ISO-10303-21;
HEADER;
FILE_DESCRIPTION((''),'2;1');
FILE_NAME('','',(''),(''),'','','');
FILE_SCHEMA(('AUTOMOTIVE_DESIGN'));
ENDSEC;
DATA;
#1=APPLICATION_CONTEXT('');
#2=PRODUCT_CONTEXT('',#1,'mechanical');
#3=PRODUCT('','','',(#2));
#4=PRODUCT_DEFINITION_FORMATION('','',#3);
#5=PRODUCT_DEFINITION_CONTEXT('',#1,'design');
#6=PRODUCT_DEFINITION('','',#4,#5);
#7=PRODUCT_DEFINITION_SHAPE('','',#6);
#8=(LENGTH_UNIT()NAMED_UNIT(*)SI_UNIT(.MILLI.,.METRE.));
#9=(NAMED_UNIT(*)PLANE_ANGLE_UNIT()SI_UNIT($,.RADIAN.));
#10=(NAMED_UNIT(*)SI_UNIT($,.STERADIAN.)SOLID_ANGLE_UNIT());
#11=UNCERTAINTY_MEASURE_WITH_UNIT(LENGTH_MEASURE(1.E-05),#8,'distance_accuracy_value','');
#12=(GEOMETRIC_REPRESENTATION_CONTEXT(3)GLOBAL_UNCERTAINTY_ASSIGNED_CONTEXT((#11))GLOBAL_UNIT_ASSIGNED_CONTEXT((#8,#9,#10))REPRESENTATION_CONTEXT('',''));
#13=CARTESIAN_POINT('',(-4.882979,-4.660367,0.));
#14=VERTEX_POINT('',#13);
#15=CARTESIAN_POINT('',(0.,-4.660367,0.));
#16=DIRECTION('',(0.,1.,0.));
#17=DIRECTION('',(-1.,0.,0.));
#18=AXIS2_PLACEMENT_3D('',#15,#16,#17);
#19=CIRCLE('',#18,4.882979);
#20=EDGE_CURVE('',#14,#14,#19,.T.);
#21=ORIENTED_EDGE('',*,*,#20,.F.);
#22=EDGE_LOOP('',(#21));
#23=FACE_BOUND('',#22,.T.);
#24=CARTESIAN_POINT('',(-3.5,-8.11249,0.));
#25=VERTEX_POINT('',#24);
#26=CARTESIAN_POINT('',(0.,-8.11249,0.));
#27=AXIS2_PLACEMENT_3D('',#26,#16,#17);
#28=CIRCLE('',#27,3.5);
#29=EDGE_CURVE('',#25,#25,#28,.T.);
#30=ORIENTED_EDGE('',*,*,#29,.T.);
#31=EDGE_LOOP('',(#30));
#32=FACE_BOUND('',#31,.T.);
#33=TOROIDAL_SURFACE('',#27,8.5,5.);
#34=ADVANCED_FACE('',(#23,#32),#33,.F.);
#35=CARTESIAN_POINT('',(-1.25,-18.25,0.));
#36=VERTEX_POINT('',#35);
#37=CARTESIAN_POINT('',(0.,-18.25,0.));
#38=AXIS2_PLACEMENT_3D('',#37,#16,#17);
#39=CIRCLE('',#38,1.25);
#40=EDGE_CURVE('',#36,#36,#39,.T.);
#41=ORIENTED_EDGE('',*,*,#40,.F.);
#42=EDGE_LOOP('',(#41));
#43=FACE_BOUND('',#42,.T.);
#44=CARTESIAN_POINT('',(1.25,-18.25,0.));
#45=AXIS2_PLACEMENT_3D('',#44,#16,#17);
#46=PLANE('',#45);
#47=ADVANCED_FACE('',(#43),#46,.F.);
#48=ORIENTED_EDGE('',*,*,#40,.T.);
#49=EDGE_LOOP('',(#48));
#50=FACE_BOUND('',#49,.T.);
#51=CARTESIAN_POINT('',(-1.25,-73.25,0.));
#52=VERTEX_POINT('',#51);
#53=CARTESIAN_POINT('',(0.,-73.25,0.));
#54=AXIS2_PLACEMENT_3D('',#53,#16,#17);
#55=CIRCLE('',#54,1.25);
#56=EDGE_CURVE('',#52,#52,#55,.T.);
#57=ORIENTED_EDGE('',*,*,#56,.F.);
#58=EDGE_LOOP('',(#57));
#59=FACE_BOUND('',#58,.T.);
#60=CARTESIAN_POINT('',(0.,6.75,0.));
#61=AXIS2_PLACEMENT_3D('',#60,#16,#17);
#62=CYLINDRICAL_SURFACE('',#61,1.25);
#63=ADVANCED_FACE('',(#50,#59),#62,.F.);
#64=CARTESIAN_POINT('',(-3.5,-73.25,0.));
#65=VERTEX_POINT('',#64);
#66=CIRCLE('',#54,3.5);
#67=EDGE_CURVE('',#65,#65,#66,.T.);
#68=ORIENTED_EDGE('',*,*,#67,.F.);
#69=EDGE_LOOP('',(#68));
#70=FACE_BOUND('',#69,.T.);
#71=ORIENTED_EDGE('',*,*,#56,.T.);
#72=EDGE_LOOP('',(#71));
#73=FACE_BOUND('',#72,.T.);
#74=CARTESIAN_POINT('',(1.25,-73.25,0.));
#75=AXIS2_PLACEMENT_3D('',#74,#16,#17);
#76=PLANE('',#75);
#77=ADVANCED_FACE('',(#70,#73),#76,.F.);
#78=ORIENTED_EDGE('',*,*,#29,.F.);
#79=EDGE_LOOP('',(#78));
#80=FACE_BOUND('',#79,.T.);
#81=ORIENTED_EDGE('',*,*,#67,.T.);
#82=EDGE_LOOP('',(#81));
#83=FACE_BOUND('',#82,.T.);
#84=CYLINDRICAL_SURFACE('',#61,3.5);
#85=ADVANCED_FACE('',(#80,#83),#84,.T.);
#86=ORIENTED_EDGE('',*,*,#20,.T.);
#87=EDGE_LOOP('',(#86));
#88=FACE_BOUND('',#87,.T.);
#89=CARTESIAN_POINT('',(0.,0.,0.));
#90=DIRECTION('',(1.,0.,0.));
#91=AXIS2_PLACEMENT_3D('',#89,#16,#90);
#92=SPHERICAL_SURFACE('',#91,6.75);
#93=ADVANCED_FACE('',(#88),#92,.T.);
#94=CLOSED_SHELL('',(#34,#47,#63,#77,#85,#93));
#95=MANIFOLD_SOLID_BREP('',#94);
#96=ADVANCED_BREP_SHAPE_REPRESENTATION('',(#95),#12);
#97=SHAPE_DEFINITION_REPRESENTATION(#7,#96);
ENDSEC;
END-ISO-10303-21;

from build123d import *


with BuildPart() as part:
    # Sketch1 → Revolve1 (revolve)
    with BuildSketch(Plane.XY, mode=Mode.PRIVATE) as revolve1_sk:
        with BuildLine():
            Line((0, 6.75), (0, -18.25))
            Line((0, -18.25), (1.25, -18.25))
            Line((1.25, -18.25), (1.25, -73.25))
            Line((1.25, -73.25), (3.5, -73.25))
            Line((3.5, -73.25), (3.5, -8.11249037))
            ThreePointArc((3.5, -8.11249037), (3.858604392, -6.253069275), (4.882978723, -4.660366808))
            ThreePointArc((4.882978723, -4.660366808), (6.205641625, 2.655656609), (0, 6.75))
        make_face()
    revolve(revolve1_sk.sketch.rotate(Axis((0, 6.75, 0), (0, -1, 0)), 180), axis=Axis((0, 6.75, 0), (0, -1, 0)))


solid = part.part
